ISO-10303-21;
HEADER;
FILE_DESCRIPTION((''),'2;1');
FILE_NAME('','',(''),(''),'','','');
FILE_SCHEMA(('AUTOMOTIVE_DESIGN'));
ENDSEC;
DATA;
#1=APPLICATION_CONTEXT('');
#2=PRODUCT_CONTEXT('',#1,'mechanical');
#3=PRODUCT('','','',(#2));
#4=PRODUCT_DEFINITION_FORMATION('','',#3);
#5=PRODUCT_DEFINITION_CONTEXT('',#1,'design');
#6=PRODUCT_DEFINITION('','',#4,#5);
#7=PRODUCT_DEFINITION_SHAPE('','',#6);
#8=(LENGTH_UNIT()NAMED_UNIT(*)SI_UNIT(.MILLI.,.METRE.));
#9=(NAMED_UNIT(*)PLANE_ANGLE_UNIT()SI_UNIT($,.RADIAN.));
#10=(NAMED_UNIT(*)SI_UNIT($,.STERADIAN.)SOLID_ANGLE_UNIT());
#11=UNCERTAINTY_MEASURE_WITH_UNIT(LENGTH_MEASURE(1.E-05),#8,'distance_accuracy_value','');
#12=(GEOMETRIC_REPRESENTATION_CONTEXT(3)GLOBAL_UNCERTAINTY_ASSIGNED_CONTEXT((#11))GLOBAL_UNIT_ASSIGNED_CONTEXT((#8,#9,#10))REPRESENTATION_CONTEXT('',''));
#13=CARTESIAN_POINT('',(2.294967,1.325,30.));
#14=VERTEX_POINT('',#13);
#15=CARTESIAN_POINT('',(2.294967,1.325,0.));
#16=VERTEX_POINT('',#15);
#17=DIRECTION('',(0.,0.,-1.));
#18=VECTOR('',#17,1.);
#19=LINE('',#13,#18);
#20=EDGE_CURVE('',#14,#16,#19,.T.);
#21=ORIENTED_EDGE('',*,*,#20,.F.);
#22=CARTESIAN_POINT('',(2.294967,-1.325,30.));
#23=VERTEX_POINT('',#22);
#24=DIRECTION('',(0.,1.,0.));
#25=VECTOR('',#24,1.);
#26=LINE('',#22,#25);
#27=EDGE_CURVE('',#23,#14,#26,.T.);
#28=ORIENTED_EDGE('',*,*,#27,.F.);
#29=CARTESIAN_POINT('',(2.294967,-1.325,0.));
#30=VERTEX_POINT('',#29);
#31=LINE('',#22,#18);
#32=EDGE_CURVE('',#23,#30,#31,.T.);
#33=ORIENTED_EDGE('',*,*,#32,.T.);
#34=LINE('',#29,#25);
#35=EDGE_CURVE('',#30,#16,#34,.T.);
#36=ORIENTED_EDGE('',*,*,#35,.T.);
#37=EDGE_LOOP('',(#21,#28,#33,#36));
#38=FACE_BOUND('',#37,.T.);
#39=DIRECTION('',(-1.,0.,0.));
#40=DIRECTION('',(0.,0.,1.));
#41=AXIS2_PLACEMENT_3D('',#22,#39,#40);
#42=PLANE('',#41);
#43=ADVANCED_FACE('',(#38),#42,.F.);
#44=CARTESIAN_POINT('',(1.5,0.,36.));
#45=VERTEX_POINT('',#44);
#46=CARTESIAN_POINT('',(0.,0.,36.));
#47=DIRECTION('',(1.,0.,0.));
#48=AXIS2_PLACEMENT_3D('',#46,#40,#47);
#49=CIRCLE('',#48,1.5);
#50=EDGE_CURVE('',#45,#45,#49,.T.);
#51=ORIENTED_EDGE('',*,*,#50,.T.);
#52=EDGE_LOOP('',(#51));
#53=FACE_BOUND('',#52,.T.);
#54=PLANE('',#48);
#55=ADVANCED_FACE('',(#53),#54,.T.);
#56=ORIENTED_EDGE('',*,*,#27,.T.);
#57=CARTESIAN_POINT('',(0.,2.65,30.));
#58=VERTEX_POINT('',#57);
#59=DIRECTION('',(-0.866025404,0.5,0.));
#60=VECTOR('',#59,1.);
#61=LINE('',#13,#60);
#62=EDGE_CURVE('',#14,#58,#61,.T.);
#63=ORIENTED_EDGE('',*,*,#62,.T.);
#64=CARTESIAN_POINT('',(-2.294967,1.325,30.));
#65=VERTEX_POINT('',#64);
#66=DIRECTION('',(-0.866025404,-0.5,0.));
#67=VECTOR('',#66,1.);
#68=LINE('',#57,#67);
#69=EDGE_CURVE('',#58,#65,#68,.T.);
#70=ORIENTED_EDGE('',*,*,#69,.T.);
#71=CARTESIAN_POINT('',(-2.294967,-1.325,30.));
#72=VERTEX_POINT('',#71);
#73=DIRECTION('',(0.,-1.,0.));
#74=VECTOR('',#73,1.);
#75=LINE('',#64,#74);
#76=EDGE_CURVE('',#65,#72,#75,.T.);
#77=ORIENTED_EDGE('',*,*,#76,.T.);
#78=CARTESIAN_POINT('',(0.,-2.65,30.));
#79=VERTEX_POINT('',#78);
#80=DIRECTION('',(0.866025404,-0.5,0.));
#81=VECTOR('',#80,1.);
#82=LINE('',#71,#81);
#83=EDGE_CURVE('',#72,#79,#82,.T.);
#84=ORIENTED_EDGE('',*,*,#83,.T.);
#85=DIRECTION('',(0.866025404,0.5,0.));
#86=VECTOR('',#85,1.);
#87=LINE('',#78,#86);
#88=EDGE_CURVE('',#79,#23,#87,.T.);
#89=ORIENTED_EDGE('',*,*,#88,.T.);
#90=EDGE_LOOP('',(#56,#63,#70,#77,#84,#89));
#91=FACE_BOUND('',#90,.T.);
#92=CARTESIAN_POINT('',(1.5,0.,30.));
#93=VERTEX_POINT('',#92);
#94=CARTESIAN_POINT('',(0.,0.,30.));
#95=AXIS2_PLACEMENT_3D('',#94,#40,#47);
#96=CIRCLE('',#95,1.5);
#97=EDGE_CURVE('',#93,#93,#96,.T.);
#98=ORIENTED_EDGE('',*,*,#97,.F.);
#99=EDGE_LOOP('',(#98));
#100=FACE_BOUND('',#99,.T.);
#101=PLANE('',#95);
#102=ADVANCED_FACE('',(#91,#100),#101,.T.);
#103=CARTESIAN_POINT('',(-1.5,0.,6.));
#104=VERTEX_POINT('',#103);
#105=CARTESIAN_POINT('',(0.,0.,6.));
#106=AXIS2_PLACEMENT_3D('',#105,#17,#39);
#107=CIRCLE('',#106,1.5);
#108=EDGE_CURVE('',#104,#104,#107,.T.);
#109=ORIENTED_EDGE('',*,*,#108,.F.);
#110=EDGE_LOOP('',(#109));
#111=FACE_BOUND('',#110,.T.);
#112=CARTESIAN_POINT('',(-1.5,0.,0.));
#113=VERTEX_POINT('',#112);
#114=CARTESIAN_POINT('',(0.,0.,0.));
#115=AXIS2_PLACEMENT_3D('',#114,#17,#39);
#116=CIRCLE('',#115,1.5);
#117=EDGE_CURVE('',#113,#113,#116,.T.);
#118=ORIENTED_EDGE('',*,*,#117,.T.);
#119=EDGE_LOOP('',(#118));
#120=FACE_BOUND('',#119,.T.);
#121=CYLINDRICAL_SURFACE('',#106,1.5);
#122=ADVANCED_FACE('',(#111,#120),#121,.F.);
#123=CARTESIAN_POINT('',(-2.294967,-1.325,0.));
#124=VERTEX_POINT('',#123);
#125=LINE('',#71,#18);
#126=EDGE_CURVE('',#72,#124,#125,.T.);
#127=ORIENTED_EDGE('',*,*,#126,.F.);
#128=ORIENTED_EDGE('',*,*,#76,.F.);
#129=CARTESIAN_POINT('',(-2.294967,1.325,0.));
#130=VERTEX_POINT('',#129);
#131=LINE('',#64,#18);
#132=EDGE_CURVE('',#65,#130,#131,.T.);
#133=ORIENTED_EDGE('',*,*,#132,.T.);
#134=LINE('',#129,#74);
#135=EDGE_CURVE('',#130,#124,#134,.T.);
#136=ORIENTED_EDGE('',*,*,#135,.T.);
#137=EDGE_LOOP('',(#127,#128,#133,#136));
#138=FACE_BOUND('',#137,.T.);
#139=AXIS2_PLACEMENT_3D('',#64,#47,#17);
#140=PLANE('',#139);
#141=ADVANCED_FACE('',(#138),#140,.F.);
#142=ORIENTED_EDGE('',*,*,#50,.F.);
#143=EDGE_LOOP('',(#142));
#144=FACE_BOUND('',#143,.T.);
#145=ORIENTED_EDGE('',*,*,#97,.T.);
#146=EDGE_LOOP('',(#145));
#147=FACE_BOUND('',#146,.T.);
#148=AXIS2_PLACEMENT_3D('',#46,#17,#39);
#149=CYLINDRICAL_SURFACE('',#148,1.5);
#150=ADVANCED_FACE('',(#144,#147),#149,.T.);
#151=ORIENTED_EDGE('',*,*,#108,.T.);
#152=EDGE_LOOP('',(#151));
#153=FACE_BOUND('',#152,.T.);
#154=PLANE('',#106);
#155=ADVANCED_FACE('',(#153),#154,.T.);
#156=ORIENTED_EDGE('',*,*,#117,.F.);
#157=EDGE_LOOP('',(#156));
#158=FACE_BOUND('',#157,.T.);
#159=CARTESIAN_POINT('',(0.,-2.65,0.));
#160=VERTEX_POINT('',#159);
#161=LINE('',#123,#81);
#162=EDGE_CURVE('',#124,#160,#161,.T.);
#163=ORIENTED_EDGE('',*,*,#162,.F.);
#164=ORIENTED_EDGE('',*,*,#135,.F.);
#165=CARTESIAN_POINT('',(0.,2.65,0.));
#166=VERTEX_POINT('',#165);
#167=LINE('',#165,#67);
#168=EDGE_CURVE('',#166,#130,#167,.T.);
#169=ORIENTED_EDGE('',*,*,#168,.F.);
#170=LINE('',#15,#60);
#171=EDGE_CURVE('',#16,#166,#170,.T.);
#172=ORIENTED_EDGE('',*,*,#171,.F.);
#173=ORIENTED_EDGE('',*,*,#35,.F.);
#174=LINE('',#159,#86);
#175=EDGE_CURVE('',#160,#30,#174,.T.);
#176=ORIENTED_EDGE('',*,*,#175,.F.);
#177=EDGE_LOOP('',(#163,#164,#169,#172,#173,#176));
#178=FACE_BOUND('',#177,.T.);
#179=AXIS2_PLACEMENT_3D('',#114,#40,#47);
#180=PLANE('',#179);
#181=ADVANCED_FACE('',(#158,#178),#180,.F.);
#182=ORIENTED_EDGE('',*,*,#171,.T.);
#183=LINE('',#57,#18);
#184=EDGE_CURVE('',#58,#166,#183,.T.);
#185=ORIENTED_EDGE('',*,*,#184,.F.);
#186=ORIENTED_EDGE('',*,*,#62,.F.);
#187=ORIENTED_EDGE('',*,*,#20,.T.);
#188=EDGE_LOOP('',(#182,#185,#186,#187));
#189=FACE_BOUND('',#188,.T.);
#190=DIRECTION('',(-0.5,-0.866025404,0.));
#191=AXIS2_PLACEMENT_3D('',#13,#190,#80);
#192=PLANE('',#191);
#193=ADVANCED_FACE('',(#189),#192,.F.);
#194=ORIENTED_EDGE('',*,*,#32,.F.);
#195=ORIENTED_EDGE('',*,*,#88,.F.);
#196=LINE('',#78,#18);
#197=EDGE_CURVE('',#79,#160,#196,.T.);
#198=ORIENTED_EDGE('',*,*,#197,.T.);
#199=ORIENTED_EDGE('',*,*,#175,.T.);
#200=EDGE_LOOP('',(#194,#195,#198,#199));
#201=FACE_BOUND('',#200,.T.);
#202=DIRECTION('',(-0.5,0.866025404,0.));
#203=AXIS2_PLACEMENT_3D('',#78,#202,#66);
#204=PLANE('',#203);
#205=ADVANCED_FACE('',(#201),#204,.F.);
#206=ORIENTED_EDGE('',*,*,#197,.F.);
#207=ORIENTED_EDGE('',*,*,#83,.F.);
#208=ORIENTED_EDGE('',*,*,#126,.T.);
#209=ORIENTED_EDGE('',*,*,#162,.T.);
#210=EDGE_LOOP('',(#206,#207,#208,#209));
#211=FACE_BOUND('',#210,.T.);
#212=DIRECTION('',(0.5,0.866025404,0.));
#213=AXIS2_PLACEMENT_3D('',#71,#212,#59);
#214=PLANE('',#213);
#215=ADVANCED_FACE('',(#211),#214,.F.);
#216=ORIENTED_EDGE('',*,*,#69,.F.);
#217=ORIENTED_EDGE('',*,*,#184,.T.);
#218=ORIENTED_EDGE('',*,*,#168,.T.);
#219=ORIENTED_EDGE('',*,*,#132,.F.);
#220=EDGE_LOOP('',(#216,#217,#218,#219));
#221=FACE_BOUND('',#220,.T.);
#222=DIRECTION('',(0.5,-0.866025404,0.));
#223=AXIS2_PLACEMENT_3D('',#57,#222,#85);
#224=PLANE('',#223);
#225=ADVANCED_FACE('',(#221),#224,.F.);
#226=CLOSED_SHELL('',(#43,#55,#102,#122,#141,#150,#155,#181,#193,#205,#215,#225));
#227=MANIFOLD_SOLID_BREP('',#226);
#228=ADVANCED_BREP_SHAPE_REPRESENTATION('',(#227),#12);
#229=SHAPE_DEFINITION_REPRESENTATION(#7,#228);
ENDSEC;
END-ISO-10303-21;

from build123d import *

# Parameters (mm, degrees)
BOSS_EXTRUDE1_DEPTH = 30
SKETCH2_R           = 1.5
CUT_EXTRUDE1_DEPTH  = 6
SKETCH3_R           = 1.5
BOSS_EXTRUDE2_DEPTH = 6


with BuildPart() as part:
    # Sketch1 → Boss-Extrude1 (new body)
    with BuildSketch(Plane.XY):
        Polygon((0, 2.65), (-2.29496732, 1.325), (-2.29496732, -1.325), (0, -2.65), (2.29496732, -1.325), (2.29496732, 1.325), align=None)
    extrude(amount=BOSS_EXTRUDE1_DEPTH)

    # Sketch2 → Cut-Extrude1 (cut)
    with BuildSketch(Plane(origin=(0, 0, 0), x_dir=(-1, 0, 0), z_dir=(0, 0, -1))):
        Circle(SKETCH2_R)
    extrude(amount=-CUT_EXTRUDE1_DEPTH, mode=Mode.SUBTRACT)

    # Sketch3 → Boss-Extrude2 (add)
    with BuildSketch(Plane.XY.offset(30)):
        with Locations(Location((0, 0, 0), (0, 0, 180))):
            Circle(SKETCH3_R)
    extrude(amount=BOSS_EXTRUDE2_DEPTH)


solid = part.part
